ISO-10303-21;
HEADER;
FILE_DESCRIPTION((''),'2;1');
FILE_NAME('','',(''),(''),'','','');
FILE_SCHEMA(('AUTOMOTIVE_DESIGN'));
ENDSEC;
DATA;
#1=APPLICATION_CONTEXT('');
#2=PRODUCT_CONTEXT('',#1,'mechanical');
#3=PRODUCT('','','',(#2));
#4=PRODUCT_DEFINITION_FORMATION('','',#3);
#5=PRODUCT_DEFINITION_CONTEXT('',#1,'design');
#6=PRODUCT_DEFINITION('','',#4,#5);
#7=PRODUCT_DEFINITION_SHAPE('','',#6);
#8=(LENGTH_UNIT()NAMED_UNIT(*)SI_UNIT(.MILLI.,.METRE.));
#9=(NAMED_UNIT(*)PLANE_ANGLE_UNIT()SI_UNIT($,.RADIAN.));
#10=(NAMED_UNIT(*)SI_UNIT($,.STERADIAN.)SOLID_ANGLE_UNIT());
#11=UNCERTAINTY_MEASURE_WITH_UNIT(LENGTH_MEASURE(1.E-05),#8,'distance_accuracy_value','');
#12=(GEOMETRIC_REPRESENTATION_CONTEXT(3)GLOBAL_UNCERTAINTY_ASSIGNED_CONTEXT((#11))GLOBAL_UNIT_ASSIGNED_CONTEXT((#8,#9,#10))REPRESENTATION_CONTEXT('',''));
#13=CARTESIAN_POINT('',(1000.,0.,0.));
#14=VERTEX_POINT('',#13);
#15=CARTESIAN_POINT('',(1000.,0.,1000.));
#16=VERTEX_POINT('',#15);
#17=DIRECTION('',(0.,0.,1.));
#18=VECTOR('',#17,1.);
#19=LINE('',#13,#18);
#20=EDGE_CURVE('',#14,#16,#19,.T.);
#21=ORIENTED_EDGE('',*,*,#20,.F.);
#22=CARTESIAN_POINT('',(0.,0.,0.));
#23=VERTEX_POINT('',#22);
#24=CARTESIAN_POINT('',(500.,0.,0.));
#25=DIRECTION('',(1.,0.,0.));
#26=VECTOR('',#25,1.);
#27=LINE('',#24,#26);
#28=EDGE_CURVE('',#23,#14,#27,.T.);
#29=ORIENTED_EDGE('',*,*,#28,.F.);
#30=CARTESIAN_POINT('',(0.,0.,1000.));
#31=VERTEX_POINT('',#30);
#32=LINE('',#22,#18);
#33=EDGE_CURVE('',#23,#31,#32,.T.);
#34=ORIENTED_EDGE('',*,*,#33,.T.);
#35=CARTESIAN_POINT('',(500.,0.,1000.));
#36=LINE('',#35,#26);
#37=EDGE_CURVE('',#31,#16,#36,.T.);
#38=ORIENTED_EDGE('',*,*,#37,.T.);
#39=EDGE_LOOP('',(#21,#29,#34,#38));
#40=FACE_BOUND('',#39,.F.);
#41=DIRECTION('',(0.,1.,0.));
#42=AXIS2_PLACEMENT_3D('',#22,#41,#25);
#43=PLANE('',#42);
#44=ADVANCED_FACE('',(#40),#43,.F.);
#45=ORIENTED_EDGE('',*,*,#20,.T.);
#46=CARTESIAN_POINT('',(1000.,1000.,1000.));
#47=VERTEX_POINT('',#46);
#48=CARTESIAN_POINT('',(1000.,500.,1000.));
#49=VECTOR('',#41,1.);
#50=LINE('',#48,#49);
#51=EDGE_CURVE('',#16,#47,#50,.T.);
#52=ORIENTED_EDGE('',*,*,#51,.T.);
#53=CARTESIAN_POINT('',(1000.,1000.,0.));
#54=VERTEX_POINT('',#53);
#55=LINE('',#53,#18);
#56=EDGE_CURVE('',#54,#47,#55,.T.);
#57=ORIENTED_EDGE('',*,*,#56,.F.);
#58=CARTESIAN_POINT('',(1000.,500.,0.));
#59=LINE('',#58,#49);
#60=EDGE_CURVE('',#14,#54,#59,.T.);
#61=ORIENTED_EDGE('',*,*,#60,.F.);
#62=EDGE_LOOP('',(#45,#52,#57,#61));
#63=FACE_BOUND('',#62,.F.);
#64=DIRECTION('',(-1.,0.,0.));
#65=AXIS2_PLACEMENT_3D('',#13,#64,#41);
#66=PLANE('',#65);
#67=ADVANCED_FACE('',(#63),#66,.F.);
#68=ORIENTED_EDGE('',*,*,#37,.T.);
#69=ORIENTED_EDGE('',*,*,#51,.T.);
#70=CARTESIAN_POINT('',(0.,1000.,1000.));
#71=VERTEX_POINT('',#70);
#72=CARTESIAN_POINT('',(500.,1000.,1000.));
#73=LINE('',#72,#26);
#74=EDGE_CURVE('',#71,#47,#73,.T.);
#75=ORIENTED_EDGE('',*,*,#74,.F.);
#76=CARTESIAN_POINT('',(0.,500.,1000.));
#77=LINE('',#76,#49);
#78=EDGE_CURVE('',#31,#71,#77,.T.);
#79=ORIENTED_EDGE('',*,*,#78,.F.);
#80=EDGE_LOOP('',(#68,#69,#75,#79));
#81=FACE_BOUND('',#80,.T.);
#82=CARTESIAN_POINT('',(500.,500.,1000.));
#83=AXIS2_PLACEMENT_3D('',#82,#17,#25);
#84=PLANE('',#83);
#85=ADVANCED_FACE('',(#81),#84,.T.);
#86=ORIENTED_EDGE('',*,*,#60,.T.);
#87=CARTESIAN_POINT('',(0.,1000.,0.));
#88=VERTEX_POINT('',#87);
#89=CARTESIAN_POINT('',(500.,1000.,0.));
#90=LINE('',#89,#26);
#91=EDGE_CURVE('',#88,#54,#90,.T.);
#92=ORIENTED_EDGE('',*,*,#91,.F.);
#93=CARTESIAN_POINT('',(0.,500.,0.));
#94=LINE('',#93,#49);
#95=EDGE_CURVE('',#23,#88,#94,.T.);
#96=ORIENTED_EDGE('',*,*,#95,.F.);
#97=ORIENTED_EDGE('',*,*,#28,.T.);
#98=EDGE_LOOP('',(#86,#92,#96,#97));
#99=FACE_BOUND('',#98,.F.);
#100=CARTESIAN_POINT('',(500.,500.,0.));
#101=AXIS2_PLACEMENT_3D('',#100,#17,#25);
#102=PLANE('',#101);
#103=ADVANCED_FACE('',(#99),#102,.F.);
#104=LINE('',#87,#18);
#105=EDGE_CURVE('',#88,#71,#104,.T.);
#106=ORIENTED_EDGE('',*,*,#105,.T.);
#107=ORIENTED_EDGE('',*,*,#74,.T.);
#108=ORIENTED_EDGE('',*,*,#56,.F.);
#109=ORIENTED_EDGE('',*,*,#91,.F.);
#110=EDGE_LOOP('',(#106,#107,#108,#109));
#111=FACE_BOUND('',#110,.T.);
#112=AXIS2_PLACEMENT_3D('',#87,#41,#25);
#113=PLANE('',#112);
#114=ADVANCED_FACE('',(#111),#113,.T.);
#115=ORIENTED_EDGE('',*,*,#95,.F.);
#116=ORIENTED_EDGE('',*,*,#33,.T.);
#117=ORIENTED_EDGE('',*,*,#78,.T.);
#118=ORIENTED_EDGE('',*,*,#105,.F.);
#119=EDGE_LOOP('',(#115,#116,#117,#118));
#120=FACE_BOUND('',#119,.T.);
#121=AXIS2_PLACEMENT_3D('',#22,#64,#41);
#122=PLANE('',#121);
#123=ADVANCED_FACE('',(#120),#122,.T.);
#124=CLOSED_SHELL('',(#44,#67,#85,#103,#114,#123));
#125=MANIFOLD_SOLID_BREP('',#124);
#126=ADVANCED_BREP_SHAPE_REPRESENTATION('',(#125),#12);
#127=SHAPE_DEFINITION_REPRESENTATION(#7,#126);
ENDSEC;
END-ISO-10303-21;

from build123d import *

# Parameters (mm, degrees)
BOX_W     = 1000
BOX_H     = 1000
BOX_DEPTH = 1000


with BuildPart() as part:
    # Box → Box (new body)
    with BuildSketch(Plane.XY):
        with Locations((500, 500)):
            Rectangle(BOX_W, BOX_H)
    extrude(amount=BOX_DEPTH)


solid = part.part
